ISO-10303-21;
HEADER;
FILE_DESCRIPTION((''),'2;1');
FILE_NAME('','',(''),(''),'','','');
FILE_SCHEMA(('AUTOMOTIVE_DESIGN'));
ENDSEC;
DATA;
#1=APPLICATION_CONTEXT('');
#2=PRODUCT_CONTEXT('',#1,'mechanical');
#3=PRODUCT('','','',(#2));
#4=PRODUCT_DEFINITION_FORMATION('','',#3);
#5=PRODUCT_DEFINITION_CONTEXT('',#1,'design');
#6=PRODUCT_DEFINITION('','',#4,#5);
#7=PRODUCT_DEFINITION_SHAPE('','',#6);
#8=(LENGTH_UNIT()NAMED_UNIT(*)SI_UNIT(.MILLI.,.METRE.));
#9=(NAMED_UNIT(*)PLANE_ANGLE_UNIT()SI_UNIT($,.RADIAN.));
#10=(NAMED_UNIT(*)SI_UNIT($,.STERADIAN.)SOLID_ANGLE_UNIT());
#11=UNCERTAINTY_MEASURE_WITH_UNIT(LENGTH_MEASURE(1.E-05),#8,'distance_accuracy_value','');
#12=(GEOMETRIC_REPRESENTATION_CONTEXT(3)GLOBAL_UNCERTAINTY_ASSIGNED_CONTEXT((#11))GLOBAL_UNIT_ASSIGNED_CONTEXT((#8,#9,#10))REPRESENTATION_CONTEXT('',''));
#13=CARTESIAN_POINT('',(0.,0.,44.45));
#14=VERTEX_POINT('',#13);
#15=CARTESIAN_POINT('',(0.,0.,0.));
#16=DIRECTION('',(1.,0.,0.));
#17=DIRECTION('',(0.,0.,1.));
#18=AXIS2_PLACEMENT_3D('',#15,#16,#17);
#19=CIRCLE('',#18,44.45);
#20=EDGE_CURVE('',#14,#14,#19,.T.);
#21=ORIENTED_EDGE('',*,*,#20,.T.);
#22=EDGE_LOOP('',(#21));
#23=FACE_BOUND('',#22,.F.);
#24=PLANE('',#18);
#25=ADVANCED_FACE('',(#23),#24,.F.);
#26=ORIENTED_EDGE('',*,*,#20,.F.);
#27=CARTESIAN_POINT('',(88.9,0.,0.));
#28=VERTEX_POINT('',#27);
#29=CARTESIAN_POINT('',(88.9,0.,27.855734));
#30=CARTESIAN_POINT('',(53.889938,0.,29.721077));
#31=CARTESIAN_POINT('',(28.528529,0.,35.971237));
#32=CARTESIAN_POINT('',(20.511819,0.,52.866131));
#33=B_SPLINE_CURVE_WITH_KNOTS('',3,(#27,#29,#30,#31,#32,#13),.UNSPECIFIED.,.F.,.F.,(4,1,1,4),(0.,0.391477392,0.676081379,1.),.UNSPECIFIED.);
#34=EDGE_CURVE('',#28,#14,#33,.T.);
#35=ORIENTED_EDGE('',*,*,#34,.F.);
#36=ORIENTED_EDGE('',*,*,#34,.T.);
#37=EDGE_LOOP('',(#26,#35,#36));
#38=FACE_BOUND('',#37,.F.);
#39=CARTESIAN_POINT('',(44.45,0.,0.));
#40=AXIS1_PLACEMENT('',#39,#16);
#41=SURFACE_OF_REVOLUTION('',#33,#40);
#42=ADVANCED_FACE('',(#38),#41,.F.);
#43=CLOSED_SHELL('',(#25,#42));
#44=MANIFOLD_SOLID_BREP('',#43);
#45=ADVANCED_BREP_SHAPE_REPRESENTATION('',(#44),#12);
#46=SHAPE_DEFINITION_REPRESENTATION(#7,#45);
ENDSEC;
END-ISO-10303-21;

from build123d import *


with BuildPart() as f1:
    # F0 (on Front) → F1 (revolve)
    with BuildSketch(Plane.XZ):
        with BuildLine():
            Line((0, 44.45), (0, 0))
            Line((0, 0), (88.9, 0))
            add(Edge.make_bspline(
                [(88.9, 0), (88.9, 27.8557343647), (53.8899379707, 29.7210771187), (28.5285291386, 35.9712367906), (20.5118190497, 52.8661310673), (0, 44.45)],
                knots=[0, 0, 0, 0, 0.3914773923, 0.6760813792, 1, 1, 1, 1], degree=3))
        make_face()
    revolve(axis=Axis((44.45, 0, 0), (1, 0, 0)))


solid = f1.part
